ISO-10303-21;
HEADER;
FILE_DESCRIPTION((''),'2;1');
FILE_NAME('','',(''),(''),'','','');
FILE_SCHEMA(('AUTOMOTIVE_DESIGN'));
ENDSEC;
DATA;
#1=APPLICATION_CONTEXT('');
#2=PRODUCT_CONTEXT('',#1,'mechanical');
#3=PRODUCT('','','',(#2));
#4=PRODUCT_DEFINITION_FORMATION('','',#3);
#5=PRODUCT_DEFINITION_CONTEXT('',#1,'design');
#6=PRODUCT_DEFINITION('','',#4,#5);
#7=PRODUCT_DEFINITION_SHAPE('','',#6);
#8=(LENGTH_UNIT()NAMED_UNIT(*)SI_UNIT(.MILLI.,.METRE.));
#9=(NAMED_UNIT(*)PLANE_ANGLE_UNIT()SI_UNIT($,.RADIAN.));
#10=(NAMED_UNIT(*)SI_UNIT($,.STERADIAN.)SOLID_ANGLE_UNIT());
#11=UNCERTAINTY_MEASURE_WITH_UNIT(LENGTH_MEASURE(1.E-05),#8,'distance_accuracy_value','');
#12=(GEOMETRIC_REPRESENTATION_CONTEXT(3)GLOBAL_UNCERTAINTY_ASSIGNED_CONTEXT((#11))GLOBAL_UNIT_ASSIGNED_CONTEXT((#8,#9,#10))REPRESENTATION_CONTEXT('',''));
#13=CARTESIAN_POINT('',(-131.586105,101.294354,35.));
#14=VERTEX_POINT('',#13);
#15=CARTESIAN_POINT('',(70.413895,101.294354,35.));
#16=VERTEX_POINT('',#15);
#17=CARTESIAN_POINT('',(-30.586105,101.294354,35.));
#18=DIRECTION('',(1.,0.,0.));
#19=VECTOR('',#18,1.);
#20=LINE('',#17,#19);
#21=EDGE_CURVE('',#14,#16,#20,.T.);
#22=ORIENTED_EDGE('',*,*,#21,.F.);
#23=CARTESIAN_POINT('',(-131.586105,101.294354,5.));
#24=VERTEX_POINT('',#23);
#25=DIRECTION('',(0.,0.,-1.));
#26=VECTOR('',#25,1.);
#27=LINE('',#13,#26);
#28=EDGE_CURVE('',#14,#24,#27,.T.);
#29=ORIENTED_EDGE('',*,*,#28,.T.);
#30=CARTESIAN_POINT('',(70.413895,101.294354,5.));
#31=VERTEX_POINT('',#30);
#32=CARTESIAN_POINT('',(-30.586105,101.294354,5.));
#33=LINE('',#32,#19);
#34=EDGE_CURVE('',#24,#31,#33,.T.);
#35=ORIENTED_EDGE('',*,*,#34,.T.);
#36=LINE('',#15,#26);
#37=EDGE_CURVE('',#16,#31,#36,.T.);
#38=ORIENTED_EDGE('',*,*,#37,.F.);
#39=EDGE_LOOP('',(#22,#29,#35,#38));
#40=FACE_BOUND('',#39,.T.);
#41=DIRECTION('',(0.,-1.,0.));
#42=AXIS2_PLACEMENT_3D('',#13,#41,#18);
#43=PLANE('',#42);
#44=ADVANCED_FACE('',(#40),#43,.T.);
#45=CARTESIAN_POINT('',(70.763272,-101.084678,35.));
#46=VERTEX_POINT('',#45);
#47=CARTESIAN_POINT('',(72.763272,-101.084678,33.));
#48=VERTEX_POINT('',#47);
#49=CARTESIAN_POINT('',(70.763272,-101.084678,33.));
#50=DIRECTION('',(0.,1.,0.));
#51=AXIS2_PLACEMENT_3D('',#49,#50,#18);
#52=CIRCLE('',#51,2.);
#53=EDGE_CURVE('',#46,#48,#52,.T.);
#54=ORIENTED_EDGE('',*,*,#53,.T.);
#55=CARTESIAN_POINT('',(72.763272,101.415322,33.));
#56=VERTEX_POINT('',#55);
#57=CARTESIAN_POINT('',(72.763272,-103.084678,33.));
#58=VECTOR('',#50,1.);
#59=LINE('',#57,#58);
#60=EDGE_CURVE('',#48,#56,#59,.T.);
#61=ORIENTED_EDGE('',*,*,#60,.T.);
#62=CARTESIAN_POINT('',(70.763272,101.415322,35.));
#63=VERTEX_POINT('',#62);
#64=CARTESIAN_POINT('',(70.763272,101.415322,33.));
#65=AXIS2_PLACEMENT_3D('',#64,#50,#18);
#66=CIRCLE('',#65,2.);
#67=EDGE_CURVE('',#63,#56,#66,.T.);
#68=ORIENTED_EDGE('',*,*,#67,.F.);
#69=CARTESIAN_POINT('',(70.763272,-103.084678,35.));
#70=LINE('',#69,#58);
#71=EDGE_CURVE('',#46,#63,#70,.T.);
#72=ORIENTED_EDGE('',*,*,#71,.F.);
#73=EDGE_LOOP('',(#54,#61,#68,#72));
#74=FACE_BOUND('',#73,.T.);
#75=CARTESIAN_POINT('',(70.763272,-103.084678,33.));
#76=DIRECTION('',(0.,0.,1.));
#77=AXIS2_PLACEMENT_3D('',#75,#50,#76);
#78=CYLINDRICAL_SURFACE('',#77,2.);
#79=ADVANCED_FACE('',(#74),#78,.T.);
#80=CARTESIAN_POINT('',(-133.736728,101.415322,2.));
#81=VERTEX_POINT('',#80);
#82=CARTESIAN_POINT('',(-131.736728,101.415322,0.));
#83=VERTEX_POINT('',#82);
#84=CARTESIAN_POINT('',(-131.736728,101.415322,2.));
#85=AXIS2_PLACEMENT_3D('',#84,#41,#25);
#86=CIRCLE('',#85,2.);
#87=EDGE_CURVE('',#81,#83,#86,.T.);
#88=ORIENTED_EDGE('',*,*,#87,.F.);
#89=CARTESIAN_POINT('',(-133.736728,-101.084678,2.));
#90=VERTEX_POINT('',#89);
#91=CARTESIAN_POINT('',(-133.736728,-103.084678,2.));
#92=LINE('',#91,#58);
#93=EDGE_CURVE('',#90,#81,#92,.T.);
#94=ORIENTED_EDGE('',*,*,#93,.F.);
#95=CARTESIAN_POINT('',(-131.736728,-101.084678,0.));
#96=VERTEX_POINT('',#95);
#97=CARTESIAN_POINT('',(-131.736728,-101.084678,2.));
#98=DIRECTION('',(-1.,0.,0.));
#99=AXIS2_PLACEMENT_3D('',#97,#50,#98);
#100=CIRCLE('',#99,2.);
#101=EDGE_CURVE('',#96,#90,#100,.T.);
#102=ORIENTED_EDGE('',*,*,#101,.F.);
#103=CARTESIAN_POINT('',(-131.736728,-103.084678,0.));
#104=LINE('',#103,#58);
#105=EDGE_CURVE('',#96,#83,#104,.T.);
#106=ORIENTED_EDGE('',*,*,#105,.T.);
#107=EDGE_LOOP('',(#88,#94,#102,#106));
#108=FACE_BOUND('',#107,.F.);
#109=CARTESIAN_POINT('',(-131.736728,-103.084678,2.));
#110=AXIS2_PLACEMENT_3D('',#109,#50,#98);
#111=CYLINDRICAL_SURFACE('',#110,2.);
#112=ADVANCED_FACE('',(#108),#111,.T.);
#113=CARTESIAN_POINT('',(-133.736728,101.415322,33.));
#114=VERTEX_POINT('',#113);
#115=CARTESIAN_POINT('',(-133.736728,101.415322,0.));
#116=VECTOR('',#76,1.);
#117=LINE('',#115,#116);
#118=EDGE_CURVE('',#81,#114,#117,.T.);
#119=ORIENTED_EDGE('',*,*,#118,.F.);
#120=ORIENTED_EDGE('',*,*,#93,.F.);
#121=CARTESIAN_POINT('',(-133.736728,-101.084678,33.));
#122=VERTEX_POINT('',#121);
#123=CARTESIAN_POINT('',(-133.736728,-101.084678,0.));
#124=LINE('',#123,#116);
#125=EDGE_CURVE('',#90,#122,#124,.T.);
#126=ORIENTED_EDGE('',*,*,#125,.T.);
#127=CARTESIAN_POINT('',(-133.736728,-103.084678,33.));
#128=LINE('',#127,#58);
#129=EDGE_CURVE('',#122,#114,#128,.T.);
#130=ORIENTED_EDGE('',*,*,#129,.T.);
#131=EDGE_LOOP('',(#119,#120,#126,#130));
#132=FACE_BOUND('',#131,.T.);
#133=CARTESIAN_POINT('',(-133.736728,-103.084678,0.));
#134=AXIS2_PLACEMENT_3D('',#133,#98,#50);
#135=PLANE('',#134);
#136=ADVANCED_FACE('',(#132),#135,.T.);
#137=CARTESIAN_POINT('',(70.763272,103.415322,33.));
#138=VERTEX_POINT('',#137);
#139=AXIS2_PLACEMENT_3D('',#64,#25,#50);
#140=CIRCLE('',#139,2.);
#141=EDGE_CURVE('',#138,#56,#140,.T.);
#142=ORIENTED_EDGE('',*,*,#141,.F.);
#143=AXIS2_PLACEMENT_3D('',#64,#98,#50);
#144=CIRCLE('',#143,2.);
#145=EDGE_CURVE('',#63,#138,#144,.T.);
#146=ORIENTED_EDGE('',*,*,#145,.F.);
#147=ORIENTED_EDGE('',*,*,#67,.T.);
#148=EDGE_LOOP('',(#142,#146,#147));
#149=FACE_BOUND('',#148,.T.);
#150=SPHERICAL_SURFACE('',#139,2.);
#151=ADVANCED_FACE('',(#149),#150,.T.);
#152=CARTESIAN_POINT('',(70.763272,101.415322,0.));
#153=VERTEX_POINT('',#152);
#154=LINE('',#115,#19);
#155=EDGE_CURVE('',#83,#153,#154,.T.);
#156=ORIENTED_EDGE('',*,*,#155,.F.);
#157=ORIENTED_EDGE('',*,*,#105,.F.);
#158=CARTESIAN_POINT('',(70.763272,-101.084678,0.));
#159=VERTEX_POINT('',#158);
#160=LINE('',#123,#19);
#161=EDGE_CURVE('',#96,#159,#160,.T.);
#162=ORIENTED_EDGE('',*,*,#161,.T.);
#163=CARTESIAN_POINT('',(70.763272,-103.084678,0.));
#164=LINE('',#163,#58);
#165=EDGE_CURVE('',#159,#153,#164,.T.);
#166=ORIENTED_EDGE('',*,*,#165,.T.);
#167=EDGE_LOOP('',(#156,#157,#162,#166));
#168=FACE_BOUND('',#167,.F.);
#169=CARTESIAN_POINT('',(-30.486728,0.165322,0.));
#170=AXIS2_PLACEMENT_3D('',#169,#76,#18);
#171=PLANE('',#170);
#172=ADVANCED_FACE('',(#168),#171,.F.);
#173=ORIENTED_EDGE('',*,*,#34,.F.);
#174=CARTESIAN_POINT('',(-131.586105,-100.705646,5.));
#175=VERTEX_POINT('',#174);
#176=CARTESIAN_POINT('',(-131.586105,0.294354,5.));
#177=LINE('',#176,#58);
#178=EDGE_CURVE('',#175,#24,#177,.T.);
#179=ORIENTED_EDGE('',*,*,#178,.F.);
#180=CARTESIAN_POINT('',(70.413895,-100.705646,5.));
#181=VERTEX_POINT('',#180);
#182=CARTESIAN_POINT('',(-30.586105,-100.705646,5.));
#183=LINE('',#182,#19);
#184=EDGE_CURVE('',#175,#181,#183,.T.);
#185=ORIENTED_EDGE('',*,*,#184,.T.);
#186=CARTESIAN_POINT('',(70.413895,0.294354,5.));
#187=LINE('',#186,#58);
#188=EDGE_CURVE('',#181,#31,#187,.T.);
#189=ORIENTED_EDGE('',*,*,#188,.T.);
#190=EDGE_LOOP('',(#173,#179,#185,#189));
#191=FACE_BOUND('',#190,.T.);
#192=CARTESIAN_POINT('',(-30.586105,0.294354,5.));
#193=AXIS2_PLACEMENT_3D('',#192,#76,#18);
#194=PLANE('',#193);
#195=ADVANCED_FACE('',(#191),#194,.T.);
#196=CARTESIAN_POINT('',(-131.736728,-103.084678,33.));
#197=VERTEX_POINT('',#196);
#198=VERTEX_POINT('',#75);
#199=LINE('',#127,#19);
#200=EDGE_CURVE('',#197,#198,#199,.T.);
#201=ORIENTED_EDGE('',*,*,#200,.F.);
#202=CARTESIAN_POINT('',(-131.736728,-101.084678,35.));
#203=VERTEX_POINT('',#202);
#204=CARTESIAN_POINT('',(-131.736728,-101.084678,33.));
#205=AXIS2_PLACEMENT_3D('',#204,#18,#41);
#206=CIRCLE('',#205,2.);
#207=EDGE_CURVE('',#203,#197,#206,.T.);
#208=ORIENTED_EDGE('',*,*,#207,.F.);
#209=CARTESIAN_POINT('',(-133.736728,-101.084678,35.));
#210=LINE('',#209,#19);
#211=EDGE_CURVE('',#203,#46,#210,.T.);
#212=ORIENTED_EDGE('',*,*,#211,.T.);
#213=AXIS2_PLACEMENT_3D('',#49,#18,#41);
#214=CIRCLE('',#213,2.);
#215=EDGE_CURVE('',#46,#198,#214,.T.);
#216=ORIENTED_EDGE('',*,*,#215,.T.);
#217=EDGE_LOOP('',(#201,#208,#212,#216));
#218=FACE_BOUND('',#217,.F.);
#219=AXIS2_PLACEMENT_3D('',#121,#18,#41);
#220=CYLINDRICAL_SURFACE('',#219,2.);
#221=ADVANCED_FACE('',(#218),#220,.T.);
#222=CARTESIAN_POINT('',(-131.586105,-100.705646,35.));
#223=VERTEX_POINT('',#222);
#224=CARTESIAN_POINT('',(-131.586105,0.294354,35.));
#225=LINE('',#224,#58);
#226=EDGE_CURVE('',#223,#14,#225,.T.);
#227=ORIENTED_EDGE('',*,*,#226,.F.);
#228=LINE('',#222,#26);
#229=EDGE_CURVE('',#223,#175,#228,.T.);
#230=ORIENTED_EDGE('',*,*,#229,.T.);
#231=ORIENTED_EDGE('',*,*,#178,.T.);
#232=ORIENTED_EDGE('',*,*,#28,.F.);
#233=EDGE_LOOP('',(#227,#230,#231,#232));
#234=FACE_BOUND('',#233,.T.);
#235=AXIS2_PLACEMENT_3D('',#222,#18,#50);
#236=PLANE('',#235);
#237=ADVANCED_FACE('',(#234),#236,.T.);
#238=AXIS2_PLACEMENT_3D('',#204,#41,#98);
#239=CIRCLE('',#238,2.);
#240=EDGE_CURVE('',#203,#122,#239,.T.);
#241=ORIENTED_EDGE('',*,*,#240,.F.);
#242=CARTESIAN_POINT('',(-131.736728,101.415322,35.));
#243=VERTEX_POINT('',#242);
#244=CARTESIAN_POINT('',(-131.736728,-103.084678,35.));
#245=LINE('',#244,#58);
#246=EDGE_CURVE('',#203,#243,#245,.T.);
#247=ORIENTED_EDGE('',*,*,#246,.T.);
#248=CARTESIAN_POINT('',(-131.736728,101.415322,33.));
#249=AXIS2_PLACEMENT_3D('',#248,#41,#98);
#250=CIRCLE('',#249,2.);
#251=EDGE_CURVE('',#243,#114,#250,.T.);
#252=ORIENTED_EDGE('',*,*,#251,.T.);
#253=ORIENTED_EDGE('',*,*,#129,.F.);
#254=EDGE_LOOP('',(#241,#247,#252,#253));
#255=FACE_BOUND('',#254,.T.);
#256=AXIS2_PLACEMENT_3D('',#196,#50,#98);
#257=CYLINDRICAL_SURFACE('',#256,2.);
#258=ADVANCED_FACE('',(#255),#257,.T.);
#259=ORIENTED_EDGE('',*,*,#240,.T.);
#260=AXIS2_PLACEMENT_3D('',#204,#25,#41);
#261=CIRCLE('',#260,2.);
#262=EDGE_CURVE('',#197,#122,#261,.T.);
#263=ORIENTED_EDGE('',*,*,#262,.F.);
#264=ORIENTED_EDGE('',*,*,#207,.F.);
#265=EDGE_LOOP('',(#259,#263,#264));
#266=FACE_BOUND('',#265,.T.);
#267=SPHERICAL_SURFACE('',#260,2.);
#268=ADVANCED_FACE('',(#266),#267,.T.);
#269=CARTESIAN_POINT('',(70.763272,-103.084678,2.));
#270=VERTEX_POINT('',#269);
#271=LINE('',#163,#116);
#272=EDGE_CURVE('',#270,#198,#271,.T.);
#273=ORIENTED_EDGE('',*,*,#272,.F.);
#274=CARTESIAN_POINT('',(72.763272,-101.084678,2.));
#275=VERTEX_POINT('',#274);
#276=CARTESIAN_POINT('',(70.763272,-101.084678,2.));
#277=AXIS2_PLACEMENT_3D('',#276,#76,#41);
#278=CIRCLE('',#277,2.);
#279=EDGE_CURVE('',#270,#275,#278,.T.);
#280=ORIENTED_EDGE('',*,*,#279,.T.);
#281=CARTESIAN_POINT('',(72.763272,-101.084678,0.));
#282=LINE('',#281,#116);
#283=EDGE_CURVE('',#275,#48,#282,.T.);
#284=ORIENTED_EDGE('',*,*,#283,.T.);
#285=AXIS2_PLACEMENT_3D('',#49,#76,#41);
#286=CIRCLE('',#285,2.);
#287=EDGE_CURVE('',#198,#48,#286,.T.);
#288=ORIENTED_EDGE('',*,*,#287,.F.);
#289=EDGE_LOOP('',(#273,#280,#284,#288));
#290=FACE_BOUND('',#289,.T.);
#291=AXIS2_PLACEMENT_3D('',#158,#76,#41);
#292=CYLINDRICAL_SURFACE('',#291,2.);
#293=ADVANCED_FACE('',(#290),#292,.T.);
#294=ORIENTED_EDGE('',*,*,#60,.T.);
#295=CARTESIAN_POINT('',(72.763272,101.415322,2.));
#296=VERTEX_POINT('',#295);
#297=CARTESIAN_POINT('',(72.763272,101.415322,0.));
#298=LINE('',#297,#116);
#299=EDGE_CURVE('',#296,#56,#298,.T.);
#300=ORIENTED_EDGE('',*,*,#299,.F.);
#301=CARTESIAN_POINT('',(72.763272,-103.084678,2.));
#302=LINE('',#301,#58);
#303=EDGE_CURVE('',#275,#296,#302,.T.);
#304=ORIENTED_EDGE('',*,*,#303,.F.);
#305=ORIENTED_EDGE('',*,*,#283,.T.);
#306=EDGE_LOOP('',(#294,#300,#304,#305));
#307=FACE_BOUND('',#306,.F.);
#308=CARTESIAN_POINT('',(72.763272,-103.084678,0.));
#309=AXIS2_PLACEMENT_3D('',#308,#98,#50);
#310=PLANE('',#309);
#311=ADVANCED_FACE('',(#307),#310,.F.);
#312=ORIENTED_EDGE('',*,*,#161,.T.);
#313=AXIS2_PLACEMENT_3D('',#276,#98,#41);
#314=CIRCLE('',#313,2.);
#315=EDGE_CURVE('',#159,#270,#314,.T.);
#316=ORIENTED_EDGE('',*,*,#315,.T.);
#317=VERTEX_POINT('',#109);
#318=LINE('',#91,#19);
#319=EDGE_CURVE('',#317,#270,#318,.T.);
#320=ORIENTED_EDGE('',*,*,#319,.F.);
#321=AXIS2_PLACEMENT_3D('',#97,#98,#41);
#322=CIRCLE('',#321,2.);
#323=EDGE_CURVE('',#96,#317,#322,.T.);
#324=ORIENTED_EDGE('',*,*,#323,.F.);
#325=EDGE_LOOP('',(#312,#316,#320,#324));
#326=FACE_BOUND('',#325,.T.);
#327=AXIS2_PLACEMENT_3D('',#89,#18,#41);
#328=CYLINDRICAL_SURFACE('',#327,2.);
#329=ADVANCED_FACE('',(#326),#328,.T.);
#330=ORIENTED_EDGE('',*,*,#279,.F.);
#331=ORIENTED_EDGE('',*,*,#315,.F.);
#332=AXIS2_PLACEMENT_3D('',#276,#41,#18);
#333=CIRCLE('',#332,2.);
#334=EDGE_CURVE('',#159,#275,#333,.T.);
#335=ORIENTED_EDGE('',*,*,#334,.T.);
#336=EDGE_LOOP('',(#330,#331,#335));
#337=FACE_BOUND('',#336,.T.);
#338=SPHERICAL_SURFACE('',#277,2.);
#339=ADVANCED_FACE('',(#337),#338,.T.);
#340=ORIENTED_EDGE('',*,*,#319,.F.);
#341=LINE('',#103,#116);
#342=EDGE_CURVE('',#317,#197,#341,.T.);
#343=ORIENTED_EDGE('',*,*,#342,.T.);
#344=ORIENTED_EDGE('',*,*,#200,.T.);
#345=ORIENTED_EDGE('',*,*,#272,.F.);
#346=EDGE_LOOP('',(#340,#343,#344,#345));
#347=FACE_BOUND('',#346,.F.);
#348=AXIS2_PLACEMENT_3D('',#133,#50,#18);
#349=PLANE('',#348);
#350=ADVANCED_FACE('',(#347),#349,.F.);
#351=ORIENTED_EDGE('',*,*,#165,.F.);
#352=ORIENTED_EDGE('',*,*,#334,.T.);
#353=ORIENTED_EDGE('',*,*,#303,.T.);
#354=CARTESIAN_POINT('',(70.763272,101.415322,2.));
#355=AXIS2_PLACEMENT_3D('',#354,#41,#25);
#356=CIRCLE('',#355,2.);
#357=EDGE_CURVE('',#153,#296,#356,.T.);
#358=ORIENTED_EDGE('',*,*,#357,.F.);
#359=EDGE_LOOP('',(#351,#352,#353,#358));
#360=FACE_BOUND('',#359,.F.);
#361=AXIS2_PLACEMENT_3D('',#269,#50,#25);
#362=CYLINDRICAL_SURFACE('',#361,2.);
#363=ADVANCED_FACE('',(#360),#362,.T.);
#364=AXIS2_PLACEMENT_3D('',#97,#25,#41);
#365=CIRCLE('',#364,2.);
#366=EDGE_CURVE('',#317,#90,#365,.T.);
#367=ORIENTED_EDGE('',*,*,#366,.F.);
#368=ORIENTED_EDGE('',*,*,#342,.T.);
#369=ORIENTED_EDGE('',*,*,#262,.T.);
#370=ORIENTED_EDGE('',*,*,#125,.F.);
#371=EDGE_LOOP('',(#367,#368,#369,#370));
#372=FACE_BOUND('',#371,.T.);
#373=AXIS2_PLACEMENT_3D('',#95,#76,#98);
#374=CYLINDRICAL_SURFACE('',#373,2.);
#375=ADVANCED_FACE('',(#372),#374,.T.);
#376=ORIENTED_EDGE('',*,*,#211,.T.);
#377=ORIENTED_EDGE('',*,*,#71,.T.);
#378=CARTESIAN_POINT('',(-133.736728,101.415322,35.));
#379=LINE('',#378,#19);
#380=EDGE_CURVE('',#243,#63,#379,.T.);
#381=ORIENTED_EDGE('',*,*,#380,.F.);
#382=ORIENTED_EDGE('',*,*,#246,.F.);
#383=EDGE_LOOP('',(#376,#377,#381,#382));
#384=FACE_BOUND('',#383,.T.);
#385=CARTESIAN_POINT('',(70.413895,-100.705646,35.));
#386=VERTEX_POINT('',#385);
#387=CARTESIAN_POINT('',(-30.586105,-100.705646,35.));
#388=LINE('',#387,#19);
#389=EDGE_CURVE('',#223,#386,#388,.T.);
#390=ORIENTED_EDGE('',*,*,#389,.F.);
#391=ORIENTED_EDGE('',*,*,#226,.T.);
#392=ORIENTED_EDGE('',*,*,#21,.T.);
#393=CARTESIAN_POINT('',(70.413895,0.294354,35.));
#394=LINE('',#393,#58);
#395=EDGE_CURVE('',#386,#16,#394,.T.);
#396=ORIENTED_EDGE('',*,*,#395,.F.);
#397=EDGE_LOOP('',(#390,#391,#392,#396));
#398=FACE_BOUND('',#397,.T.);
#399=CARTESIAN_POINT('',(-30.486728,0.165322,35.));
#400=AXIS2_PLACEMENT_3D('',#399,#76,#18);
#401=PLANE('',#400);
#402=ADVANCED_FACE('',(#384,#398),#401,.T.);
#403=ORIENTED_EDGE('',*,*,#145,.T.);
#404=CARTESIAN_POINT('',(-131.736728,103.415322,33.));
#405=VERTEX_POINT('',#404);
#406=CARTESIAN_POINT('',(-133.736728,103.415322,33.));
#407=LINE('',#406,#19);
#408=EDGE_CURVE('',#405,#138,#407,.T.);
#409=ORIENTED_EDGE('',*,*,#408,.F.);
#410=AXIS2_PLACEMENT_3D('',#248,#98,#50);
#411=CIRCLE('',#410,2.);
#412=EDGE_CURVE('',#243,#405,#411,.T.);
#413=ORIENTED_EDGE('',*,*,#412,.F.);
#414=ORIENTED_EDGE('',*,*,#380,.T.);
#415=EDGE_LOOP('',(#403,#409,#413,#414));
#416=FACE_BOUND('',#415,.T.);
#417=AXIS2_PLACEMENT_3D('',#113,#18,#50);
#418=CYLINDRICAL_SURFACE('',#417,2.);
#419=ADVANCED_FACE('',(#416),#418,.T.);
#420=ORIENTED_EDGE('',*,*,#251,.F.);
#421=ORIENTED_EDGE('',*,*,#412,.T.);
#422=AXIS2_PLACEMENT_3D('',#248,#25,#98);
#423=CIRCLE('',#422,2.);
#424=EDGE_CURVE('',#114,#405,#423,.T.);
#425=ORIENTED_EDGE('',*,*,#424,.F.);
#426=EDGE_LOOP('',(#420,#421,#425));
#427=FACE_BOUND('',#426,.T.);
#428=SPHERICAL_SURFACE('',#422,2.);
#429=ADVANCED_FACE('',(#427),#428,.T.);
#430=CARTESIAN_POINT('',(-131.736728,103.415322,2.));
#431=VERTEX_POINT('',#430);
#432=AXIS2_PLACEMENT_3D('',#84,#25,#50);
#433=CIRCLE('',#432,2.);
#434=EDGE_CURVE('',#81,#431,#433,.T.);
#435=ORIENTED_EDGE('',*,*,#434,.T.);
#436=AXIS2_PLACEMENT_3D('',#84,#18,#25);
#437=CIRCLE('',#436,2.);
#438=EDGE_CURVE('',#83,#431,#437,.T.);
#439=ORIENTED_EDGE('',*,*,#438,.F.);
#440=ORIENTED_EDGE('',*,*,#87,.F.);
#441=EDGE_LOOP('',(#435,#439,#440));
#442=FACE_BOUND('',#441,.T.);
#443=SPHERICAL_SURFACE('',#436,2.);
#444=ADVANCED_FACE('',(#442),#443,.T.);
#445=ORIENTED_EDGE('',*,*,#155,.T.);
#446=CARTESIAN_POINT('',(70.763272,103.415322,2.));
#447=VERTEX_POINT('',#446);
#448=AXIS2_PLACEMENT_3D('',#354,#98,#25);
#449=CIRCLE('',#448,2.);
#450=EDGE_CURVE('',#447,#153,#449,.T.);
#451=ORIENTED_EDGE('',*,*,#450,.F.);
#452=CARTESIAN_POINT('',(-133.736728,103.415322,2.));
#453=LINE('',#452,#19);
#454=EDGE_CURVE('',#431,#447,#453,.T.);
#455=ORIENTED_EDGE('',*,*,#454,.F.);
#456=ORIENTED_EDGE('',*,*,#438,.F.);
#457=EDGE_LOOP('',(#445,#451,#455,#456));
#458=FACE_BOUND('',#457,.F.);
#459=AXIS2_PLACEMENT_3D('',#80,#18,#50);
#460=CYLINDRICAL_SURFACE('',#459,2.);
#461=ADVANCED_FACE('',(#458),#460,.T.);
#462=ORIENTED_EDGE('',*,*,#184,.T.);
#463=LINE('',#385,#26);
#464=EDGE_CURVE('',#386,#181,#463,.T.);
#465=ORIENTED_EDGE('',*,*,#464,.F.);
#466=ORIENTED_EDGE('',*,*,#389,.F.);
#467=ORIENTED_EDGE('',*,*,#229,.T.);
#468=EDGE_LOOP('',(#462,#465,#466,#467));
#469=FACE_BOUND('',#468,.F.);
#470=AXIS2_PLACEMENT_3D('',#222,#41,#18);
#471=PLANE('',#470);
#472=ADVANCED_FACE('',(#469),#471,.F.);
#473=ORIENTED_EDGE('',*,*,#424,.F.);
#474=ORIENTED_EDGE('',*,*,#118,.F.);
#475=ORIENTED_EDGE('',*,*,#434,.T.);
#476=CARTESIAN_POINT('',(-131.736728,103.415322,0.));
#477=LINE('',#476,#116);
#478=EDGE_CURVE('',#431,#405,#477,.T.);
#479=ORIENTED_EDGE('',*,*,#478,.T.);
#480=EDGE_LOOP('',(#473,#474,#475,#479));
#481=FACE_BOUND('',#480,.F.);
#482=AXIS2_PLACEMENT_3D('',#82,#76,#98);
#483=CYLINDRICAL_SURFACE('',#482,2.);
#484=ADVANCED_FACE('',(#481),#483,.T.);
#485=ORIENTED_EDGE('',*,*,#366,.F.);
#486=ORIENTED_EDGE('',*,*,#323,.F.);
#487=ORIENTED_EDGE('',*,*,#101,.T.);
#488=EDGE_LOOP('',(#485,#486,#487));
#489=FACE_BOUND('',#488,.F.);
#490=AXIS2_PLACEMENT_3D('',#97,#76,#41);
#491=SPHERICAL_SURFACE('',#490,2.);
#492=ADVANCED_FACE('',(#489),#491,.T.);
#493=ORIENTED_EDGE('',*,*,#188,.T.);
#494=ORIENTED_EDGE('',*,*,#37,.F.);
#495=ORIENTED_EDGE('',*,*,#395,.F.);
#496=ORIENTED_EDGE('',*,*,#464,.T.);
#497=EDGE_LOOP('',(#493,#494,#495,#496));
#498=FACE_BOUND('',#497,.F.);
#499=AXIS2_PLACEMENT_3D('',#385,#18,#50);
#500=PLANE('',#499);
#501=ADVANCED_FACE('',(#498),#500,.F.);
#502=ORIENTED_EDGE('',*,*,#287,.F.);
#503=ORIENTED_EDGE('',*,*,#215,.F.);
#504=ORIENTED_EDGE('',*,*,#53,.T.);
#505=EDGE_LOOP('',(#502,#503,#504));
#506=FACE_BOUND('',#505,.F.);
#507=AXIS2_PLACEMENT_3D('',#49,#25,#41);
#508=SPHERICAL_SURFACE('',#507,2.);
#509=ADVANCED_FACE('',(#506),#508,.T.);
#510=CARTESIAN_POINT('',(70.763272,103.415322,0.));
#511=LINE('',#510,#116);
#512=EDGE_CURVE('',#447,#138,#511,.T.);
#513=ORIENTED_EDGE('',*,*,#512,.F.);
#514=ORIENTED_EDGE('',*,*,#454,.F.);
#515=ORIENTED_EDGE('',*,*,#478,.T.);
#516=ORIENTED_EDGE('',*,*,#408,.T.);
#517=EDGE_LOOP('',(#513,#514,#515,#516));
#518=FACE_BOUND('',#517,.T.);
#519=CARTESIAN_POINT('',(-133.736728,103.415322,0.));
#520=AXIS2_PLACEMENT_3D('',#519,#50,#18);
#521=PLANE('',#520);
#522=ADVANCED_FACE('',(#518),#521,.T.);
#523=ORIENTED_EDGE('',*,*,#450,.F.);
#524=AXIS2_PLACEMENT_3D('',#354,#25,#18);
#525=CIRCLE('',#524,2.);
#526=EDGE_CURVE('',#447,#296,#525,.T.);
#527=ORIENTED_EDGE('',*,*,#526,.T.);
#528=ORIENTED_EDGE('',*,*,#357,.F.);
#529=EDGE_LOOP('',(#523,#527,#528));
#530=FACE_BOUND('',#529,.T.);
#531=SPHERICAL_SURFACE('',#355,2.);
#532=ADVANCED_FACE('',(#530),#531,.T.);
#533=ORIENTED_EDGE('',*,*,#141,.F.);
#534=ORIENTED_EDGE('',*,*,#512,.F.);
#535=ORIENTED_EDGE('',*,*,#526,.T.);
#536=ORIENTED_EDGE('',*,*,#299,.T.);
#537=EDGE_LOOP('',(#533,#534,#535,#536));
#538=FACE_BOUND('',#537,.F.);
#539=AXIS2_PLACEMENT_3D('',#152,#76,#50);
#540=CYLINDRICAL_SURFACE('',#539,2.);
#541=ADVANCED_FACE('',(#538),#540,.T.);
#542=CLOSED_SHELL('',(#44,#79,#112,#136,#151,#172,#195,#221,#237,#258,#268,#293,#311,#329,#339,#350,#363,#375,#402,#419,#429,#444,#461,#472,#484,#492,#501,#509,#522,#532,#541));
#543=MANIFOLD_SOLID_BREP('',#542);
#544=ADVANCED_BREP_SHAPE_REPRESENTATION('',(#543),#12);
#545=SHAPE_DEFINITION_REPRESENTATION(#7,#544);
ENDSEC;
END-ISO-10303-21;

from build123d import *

# Parameters (mm, degrees)
F0_W     = 206.5
F0_H     = 206.5
F1_DEPTH = 35
F2_W     = 202
F2_H     = 202
F3_DEPTH = 30
F4_R     = 2


with BuildPart() as f1:
    # F0 (on Top) → F1 (new body)
    with BuildSketch(Plane.XY):
        with Locations((-30.486728, 0.165322)):
            Rectangle(F0_W, F0_H)
    extrude(amount=F1_DEPTH)

    # F2 (on face) → F3 (cut)
    with BuildSketch(Plane.XY.offset(35)):
        with Locations((-30.586105, 0.294354)):
            Rectangle(F2_W, F2_H)
    extrude(amount=-F3_DEPTH, mode=Mode.SUBTRACT)

    # F4
    f4_edges = [f1.edges().sort_by_distance(p)[0] for p in [
        (-133.736728, -103.084678, 17.5),
        (72.763272, -103.084678, 17.5),
        (-30.486728, -103.084678, 0),
        (-30.486728, -103.084678, 35),
        (72.763272, 0.165322, 0),
        (-30.486728, 103.415322, 0),
        (-133.736728, 0.165322, 0),
        (-133.736728, 103.415322, 17.5),
        (-133.736728, 0.165322, 35),
        (72.763272, 103.415322, 17.5),
        (-30.486728, 103.415322, 35),
        (72.763272, 0.165322, 35),
    ]]
    fillet(f4_edges, radius=F4_R)


solid = f1.part
